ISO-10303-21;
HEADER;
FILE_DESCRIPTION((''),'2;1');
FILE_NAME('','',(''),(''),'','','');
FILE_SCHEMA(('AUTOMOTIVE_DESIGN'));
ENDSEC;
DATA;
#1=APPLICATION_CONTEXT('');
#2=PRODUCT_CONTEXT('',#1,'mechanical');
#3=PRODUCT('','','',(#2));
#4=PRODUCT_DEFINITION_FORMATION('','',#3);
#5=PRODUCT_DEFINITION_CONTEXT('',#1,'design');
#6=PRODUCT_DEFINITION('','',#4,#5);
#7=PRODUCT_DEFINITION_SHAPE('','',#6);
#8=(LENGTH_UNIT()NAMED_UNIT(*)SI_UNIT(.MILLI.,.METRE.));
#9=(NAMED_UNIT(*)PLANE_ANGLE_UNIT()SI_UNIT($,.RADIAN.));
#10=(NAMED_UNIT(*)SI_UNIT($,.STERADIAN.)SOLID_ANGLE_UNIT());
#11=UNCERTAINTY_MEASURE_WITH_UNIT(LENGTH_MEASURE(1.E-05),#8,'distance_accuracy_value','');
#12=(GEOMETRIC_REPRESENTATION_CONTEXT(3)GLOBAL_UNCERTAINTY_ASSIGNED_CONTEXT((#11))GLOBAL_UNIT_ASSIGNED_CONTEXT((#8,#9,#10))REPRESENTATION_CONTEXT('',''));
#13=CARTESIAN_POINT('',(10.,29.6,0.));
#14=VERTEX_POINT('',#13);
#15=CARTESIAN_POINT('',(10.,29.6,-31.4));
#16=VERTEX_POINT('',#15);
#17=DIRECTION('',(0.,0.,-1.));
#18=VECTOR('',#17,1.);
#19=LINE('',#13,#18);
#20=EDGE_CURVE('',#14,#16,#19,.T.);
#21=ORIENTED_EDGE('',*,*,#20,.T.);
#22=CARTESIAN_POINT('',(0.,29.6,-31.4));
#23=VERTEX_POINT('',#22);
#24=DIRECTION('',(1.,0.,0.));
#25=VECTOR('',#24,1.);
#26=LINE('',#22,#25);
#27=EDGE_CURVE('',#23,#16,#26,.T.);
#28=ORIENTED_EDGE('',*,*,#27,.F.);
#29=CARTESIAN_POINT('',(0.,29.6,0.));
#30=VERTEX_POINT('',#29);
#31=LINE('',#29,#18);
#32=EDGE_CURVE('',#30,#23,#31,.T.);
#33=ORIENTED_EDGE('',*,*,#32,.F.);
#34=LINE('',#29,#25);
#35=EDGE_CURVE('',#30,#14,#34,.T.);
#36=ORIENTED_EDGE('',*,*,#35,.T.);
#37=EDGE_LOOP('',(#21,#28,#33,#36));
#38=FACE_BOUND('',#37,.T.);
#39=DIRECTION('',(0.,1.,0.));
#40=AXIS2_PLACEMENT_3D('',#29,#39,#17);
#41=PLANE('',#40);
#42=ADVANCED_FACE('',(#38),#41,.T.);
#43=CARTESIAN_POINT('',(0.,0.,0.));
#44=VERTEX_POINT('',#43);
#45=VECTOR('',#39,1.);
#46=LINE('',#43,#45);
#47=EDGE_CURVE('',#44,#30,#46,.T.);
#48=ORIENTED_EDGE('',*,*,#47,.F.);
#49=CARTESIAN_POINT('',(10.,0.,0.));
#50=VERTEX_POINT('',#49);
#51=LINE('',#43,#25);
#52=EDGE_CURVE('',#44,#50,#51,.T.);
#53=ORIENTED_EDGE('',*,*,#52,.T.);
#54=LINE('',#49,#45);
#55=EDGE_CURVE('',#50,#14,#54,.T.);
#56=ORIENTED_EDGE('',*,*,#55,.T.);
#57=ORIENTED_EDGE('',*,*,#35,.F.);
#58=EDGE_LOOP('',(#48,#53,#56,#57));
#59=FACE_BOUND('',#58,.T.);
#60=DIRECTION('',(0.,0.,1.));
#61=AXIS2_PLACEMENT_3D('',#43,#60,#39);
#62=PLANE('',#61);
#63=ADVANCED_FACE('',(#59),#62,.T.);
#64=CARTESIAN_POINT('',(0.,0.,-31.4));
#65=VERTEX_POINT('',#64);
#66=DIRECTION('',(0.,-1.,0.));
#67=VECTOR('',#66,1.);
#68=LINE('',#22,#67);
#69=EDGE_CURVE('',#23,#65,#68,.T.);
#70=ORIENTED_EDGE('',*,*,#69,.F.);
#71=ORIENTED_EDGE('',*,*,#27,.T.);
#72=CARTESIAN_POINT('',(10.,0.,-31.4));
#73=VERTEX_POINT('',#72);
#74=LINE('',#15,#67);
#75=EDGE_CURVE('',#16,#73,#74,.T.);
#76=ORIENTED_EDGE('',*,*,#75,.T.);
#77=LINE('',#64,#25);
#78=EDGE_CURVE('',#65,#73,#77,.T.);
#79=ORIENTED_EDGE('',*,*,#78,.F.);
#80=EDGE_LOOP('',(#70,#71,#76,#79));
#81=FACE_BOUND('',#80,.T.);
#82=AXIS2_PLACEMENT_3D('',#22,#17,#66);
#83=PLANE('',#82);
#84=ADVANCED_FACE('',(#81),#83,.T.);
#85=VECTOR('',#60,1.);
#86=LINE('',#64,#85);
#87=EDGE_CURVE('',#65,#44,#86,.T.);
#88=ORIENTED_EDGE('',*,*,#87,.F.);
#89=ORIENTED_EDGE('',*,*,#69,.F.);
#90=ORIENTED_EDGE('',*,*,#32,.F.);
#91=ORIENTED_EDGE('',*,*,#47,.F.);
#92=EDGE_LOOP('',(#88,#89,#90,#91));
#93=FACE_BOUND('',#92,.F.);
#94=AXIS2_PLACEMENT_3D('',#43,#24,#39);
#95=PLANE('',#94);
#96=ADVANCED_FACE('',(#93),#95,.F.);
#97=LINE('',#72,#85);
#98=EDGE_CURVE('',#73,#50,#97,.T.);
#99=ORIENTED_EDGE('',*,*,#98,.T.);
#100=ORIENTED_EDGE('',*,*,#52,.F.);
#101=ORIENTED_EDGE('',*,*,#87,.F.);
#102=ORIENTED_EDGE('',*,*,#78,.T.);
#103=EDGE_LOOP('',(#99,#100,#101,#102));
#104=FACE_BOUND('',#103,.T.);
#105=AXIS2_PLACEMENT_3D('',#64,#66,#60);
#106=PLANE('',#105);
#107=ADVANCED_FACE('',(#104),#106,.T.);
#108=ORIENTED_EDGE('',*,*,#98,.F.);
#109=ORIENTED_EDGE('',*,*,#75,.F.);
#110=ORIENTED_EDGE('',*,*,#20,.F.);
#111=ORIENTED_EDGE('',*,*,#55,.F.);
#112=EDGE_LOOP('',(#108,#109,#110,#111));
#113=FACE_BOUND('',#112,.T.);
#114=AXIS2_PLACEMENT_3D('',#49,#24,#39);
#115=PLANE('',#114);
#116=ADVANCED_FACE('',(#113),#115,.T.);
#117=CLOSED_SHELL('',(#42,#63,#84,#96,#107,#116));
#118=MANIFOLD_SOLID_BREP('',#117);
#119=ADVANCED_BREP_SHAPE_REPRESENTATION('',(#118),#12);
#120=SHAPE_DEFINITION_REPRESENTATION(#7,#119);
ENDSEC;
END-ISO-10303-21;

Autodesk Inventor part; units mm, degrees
ref_plane "YZ Plane" through (0, 0, 0) normal (1, 0, 0) x (0, 1, 0)
ref_plane "XZ Plane" through (0, 0, 0) normal (0, 1, 0) x (-1, 0, 0)
ref_plane "XY Plane" through (0, 0, 0) normal (0, 0, 1) x (1, 0, 0)
sketch "Sketch1" plane through (0, 0, 0) normal (1, 0, 0) x (0, 1, 0)
  point P0 (0, 0)
sketch "Sketch2" plane through (0, 0, 0) normal (1, 0, 0) x (0, 1, 0)
  line L0 (0, 0) -> (29.6, 0)
  line L1 (29.6, 0) -> (29.6, -31.4)
  line L2 (29.6, -31.4) -> (0, -31.4)
  line L3 (0, -31.4) -> (0, 0)
  dimension "d0" = 29.6
  dimension "d1" = 31.4
extrude "Extrusion1" add sketch "Sketch2" along normal blind 10
properties part number "imu_fix"
